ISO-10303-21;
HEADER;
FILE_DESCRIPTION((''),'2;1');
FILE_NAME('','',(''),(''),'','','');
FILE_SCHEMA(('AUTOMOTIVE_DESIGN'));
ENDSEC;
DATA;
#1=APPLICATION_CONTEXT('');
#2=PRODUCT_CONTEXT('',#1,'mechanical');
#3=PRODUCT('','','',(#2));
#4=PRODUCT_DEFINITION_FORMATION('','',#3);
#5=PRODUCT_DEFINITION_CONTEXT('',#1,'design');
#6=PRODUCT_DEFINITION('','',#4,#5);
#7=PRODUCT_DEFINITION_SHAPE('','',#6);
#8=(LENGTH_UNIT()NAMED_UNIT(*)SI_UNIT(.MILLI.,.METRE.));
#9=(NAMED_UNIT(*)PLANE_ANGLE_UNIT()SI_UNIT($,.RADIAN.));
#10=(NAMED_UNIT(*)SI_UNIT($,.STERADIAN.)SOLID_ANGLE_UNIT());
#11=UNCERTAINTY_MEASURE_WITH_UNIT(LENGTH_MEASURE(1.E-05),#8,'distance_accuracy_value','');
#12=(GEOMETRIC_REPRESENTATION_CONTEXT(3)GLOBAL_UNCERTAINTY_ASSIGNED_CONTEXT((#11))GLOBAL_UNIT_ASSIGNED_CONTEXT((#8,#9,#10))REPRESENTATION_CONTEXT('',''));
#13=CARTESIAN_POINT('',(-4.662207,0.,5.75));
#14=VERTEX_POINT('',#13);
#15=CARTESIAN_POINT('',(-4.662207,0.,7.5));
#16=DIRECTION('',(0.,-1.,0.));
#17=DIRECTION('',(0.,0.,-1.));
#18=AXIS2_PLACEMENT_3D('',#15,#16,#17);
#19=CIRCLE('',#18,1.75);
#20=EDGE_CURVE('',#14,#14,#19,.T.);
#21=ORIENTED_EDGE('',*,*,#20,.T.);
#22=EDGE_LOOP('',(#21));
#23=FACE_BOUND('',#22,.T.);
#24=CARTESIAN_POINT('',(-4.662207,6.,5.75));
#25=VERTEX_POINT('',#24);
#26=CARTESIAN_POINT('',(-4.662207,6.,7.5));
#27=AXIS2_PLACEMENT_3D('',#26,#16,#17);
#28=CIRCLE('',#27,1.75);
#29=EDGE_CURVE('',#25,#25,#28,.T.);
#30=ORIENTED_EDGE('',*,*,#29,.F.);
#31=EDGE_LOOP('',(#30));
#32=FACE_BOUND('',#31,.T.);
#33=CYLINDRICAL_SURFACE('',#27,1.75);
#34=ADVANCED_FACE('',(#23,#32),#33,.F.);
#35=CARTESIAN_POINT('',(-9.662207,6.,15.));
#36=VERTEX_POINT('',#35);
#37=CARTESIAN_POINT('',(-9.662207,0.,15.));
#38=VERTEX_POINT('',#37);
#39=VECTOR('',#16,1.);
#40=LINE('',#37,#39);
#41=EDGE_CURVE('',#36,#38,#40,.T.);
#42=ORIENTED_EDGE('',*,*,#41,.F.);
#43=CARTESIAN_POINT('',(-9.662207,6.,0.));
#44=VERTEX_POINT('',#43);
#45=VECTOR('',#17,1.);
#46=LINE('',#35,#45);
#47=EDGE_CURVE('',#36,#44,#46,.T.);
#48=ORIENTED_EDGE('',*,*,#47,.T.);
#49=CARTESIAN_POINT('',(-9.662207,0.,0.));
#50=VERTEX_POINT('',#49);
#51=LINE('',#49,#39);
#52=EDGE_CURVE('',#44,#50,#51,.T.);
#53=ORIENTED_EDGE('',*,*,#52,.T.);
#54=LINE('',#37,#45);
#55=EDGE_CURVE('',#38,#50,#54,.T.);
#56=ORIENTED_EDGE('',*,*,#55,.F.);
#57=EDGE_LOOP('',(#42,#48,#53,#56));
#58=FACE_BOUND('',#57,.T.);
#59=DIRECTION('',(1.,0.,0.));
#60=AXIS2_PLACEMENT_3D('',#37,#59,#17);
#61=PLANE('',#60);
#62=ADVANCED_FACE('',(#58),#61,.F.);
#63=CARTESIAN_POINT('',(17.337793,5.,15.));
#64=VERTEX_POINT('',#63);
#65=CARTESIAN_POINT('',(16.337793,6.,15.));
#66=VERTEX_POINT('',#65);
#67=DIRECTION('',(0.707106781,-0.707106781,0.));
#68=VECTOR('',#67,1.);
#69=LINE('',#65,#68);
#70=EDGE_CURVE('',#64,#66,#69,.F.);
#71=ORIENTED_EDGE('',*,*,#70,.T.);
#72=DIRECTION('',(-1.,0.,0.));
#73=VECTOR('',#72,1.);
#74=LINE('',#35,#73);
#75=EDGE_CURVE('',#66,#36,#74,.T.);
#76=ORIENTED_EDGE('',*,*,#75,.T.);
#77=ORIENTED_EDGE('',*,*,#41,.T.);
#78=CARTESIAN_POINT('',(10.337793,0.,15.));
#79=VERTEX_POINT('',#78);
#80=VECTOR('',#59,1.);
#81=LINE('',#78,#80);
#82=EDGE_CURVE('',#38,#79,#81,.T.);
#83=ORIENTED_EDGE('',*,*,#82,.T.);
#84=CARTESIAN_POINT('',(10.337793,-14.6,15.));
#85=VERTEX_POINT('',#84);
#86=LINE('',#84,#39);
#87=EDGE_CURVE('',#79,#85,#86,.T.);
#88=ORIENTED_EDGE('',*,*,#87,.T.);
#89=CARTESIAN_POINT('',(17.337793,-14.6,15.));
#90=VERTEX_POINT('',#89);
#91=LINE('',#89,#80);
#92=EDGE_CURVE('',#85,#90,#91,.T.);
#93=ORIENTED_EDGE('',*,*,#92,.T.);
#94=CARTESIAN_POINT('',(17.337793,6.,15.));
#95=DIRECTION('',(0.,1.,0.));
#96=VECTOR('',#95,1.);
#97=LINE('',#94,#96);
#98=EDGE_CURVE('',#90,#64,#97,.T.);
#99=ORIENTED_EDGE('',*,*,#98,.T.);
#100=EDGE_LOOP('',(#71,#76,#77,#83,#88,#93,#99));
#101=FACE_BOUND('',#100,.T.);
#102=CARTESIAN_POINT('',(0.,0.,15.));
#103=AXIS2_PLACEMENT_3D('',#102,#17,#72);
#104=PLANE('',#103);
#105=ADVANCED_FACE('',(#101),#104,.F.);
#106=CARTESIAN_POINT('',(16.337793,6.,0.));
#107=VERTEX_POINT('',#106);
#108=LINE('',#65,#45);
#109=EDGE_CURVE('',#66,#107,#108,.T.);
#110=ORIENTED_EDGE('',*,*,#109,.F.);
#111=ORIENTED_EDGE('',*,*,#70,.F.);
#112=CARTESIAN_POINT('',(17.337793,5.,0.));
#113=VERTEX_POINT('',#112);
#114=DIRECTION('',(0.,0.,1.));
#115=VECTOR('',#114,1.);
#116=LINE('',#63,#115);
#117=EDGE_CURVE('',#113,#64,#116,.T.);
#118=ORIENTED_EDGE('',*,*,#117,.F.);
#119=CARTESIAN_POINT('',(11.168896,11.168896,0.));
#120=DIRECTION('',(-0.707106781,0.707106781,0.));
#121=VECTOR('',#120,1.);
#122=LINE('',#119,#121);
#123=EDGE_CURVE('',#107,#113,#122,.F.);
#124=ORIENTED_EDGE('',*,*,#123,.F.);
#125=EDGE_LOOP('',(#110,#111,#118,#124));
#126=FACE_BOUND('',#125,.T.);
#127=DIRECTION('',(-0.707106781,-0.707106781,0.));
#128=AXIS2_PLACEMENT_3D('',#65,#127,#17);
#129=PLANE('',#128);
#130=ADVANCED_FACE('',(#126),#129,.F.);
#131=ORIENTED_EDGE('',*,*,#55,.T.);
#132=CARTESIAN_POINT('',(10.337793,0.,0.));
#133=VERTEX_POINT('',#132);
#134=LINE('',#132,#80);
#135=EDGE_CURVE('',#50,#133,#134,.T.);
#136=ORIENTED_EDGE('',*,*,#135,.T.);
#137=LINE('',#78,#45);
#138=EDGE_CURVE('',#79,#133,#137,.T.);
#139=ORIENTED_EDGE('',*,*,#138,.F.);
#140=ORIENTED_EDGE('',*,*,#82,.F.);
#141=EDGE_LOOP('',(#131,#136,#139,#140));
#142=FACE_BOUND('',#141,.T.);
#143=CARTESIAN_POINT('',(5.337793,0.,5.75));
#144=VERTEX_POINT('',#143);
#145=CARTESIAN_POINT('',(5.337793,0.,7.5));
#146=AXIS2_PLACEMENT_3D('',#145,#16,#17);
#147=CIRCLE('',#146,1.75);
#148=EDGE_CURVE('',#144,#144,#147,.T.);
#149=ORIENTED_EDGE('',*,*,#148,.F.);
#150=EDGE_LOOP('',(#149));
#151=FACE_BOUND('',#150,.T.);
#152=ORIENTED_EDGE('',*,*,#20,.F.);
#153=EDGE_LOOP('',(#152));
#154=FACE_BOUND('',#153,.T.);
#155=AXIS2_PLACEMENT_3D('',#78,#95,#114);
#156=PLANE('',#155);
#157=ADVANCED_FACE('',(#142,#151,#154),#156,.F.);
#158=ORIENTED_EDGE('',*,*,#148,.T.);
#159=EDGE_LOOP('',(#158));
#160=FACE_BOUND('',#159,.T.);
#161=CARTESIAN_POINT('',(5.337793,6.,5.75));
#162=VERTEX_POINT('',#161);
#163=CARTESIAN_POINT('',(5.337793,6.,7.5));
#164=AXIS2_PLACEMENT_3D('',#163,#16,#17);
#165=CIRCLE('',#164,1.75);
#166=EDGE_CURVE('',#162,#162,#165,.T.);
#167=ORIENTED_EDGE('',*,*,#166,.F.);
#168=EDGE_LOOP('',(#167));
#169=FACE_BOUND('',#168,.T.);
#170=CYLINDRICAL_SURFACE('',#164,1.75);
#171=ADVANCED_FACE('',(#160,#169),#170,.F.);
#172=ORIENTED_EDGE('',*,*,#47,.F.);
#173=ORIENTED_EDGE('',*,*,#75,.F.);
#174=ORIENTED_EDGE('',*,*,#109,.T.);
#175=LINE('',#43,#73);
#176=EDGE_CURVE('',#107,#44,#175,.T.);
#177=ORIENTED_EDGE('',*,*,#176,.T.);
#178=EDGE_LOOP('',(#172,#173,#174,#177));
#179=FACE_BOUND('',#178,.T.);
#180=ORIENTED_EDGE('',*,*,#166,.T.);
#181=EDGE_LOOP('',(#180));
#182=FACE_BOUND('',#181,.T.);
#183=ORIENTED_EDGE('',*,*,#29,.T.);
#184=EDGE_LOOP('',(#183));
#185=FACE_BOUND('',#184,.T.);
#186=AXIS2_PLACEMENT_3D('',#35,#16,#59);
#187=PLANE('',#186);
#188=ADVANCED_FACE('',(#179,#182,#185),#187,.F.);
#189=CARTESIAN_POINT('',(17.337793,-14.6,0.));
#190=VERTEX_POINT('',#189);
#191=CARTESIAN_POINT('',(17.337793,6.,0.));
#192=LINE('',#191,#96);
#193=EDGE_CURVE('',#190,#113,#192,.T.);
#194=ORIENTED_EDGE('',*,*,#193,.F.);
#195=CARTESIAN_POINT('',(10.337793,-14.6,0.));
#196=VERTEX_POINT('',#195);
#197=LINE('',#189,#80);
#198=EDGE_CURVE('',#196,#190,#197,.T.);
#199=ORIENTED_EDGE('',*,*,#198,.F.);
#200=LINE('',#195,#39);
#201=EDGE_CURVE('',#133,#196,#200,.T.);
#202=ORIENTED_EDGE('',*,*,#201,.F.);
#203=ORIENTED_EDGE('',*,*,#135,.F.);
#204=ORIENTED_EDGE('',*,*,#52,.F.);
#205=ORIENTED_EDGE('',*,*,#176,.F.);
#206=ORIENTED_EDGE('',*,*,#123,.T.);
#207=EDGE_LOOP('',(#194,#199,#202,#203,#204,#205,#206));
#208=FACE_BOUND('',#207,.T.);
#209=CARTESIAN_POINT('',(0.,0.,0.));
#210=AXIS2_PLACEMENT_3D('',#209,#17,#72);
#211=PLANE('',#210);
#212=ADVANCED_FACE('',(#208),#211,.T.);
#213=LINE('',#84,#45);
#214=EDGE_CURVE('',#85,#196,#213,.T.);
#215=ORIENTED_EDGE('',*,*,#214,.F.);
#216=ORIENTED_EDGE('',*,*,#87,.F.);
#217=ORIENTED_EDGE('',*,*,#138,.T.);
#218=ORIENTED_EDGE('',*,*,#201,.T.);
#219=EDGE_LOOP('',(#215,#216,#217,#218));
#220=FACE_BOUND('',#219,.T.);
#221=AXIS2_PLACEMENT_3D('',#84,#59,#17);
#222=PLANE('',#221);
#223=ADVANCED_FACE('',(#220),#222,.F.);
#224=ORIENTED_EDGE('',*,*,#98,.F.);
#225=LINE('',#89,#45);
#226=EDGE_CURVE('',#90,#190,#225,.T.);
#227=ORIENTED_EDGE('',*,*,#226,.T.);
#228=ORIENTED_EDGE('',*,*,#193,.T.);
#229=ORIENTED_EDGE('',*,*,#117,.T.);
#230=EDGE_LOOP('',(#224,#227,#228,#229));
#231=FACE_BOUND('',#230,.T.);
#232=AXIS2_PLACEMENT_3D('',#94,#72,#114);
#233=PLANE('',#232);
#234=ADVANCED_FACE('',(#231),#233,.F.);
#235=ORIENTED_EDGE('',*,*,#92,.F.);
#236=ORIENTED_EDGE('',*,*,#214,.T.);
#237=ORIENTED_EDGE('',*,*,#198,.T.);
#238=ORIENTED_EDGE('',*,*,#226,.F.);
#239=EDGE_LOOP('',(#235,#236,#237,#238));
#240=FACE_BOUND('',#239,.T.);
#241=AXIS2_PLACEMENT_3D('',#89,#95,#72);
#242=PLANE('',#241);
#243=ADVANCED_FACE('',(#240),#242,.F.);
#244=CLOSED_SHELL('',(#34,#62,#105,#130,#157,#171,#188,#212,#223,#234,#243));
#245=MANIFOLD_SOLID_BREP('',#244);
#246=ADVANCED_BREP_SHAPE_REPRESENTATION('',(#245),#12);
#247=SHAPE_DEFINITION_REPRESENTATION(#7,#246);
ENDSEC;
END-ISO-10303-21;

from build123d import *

# Parameters (mm, degrees)
BOSS_EXTRUDE1_DEPTH = 15
CHAMFER1_SIZE       = 1
SKETCH2_R           = 1.75
CUT_EXTRUDE1_DEPTH  = 7


with BuildPart() as part:
    # Sketch1 → Boss-Extrude1 (new body)
    with BuildSketch(Plane.XY):
        Polygon((-9.662207358, 6), (17.337792642, 6), (17.337792642, -14.6), (10.337792642, -14.6), (10.337792642, 0), (-9.662207358, 0), align=None)
    extrude(amount=BOSS_EXTRUDE1_DEPTH)

    # Chamfer1
    chamfer1_edges = [part.edges().sort_by_distance(p)[0] for p in [
        (17.337792642, 6, 7.5),
    ]]
    chamfer(chamfer1_edges, length=CHAMFER1_SIZE)

    # Sketch2 → Cut-Extrude1 (cut, through all)
    with BuildSketch(Plane.XZ):
        with Locations((-4.662207358, 7.5)):
            Circle(SKETCH2_R)
        with Locations((5.337792642, 7.5)):
            Circle(SKETCH2_R)
    extrude(amount=-CUT_EXTRUDE1_DEPTH, mode=Mode.SUBTRACT)


solid = part.part
